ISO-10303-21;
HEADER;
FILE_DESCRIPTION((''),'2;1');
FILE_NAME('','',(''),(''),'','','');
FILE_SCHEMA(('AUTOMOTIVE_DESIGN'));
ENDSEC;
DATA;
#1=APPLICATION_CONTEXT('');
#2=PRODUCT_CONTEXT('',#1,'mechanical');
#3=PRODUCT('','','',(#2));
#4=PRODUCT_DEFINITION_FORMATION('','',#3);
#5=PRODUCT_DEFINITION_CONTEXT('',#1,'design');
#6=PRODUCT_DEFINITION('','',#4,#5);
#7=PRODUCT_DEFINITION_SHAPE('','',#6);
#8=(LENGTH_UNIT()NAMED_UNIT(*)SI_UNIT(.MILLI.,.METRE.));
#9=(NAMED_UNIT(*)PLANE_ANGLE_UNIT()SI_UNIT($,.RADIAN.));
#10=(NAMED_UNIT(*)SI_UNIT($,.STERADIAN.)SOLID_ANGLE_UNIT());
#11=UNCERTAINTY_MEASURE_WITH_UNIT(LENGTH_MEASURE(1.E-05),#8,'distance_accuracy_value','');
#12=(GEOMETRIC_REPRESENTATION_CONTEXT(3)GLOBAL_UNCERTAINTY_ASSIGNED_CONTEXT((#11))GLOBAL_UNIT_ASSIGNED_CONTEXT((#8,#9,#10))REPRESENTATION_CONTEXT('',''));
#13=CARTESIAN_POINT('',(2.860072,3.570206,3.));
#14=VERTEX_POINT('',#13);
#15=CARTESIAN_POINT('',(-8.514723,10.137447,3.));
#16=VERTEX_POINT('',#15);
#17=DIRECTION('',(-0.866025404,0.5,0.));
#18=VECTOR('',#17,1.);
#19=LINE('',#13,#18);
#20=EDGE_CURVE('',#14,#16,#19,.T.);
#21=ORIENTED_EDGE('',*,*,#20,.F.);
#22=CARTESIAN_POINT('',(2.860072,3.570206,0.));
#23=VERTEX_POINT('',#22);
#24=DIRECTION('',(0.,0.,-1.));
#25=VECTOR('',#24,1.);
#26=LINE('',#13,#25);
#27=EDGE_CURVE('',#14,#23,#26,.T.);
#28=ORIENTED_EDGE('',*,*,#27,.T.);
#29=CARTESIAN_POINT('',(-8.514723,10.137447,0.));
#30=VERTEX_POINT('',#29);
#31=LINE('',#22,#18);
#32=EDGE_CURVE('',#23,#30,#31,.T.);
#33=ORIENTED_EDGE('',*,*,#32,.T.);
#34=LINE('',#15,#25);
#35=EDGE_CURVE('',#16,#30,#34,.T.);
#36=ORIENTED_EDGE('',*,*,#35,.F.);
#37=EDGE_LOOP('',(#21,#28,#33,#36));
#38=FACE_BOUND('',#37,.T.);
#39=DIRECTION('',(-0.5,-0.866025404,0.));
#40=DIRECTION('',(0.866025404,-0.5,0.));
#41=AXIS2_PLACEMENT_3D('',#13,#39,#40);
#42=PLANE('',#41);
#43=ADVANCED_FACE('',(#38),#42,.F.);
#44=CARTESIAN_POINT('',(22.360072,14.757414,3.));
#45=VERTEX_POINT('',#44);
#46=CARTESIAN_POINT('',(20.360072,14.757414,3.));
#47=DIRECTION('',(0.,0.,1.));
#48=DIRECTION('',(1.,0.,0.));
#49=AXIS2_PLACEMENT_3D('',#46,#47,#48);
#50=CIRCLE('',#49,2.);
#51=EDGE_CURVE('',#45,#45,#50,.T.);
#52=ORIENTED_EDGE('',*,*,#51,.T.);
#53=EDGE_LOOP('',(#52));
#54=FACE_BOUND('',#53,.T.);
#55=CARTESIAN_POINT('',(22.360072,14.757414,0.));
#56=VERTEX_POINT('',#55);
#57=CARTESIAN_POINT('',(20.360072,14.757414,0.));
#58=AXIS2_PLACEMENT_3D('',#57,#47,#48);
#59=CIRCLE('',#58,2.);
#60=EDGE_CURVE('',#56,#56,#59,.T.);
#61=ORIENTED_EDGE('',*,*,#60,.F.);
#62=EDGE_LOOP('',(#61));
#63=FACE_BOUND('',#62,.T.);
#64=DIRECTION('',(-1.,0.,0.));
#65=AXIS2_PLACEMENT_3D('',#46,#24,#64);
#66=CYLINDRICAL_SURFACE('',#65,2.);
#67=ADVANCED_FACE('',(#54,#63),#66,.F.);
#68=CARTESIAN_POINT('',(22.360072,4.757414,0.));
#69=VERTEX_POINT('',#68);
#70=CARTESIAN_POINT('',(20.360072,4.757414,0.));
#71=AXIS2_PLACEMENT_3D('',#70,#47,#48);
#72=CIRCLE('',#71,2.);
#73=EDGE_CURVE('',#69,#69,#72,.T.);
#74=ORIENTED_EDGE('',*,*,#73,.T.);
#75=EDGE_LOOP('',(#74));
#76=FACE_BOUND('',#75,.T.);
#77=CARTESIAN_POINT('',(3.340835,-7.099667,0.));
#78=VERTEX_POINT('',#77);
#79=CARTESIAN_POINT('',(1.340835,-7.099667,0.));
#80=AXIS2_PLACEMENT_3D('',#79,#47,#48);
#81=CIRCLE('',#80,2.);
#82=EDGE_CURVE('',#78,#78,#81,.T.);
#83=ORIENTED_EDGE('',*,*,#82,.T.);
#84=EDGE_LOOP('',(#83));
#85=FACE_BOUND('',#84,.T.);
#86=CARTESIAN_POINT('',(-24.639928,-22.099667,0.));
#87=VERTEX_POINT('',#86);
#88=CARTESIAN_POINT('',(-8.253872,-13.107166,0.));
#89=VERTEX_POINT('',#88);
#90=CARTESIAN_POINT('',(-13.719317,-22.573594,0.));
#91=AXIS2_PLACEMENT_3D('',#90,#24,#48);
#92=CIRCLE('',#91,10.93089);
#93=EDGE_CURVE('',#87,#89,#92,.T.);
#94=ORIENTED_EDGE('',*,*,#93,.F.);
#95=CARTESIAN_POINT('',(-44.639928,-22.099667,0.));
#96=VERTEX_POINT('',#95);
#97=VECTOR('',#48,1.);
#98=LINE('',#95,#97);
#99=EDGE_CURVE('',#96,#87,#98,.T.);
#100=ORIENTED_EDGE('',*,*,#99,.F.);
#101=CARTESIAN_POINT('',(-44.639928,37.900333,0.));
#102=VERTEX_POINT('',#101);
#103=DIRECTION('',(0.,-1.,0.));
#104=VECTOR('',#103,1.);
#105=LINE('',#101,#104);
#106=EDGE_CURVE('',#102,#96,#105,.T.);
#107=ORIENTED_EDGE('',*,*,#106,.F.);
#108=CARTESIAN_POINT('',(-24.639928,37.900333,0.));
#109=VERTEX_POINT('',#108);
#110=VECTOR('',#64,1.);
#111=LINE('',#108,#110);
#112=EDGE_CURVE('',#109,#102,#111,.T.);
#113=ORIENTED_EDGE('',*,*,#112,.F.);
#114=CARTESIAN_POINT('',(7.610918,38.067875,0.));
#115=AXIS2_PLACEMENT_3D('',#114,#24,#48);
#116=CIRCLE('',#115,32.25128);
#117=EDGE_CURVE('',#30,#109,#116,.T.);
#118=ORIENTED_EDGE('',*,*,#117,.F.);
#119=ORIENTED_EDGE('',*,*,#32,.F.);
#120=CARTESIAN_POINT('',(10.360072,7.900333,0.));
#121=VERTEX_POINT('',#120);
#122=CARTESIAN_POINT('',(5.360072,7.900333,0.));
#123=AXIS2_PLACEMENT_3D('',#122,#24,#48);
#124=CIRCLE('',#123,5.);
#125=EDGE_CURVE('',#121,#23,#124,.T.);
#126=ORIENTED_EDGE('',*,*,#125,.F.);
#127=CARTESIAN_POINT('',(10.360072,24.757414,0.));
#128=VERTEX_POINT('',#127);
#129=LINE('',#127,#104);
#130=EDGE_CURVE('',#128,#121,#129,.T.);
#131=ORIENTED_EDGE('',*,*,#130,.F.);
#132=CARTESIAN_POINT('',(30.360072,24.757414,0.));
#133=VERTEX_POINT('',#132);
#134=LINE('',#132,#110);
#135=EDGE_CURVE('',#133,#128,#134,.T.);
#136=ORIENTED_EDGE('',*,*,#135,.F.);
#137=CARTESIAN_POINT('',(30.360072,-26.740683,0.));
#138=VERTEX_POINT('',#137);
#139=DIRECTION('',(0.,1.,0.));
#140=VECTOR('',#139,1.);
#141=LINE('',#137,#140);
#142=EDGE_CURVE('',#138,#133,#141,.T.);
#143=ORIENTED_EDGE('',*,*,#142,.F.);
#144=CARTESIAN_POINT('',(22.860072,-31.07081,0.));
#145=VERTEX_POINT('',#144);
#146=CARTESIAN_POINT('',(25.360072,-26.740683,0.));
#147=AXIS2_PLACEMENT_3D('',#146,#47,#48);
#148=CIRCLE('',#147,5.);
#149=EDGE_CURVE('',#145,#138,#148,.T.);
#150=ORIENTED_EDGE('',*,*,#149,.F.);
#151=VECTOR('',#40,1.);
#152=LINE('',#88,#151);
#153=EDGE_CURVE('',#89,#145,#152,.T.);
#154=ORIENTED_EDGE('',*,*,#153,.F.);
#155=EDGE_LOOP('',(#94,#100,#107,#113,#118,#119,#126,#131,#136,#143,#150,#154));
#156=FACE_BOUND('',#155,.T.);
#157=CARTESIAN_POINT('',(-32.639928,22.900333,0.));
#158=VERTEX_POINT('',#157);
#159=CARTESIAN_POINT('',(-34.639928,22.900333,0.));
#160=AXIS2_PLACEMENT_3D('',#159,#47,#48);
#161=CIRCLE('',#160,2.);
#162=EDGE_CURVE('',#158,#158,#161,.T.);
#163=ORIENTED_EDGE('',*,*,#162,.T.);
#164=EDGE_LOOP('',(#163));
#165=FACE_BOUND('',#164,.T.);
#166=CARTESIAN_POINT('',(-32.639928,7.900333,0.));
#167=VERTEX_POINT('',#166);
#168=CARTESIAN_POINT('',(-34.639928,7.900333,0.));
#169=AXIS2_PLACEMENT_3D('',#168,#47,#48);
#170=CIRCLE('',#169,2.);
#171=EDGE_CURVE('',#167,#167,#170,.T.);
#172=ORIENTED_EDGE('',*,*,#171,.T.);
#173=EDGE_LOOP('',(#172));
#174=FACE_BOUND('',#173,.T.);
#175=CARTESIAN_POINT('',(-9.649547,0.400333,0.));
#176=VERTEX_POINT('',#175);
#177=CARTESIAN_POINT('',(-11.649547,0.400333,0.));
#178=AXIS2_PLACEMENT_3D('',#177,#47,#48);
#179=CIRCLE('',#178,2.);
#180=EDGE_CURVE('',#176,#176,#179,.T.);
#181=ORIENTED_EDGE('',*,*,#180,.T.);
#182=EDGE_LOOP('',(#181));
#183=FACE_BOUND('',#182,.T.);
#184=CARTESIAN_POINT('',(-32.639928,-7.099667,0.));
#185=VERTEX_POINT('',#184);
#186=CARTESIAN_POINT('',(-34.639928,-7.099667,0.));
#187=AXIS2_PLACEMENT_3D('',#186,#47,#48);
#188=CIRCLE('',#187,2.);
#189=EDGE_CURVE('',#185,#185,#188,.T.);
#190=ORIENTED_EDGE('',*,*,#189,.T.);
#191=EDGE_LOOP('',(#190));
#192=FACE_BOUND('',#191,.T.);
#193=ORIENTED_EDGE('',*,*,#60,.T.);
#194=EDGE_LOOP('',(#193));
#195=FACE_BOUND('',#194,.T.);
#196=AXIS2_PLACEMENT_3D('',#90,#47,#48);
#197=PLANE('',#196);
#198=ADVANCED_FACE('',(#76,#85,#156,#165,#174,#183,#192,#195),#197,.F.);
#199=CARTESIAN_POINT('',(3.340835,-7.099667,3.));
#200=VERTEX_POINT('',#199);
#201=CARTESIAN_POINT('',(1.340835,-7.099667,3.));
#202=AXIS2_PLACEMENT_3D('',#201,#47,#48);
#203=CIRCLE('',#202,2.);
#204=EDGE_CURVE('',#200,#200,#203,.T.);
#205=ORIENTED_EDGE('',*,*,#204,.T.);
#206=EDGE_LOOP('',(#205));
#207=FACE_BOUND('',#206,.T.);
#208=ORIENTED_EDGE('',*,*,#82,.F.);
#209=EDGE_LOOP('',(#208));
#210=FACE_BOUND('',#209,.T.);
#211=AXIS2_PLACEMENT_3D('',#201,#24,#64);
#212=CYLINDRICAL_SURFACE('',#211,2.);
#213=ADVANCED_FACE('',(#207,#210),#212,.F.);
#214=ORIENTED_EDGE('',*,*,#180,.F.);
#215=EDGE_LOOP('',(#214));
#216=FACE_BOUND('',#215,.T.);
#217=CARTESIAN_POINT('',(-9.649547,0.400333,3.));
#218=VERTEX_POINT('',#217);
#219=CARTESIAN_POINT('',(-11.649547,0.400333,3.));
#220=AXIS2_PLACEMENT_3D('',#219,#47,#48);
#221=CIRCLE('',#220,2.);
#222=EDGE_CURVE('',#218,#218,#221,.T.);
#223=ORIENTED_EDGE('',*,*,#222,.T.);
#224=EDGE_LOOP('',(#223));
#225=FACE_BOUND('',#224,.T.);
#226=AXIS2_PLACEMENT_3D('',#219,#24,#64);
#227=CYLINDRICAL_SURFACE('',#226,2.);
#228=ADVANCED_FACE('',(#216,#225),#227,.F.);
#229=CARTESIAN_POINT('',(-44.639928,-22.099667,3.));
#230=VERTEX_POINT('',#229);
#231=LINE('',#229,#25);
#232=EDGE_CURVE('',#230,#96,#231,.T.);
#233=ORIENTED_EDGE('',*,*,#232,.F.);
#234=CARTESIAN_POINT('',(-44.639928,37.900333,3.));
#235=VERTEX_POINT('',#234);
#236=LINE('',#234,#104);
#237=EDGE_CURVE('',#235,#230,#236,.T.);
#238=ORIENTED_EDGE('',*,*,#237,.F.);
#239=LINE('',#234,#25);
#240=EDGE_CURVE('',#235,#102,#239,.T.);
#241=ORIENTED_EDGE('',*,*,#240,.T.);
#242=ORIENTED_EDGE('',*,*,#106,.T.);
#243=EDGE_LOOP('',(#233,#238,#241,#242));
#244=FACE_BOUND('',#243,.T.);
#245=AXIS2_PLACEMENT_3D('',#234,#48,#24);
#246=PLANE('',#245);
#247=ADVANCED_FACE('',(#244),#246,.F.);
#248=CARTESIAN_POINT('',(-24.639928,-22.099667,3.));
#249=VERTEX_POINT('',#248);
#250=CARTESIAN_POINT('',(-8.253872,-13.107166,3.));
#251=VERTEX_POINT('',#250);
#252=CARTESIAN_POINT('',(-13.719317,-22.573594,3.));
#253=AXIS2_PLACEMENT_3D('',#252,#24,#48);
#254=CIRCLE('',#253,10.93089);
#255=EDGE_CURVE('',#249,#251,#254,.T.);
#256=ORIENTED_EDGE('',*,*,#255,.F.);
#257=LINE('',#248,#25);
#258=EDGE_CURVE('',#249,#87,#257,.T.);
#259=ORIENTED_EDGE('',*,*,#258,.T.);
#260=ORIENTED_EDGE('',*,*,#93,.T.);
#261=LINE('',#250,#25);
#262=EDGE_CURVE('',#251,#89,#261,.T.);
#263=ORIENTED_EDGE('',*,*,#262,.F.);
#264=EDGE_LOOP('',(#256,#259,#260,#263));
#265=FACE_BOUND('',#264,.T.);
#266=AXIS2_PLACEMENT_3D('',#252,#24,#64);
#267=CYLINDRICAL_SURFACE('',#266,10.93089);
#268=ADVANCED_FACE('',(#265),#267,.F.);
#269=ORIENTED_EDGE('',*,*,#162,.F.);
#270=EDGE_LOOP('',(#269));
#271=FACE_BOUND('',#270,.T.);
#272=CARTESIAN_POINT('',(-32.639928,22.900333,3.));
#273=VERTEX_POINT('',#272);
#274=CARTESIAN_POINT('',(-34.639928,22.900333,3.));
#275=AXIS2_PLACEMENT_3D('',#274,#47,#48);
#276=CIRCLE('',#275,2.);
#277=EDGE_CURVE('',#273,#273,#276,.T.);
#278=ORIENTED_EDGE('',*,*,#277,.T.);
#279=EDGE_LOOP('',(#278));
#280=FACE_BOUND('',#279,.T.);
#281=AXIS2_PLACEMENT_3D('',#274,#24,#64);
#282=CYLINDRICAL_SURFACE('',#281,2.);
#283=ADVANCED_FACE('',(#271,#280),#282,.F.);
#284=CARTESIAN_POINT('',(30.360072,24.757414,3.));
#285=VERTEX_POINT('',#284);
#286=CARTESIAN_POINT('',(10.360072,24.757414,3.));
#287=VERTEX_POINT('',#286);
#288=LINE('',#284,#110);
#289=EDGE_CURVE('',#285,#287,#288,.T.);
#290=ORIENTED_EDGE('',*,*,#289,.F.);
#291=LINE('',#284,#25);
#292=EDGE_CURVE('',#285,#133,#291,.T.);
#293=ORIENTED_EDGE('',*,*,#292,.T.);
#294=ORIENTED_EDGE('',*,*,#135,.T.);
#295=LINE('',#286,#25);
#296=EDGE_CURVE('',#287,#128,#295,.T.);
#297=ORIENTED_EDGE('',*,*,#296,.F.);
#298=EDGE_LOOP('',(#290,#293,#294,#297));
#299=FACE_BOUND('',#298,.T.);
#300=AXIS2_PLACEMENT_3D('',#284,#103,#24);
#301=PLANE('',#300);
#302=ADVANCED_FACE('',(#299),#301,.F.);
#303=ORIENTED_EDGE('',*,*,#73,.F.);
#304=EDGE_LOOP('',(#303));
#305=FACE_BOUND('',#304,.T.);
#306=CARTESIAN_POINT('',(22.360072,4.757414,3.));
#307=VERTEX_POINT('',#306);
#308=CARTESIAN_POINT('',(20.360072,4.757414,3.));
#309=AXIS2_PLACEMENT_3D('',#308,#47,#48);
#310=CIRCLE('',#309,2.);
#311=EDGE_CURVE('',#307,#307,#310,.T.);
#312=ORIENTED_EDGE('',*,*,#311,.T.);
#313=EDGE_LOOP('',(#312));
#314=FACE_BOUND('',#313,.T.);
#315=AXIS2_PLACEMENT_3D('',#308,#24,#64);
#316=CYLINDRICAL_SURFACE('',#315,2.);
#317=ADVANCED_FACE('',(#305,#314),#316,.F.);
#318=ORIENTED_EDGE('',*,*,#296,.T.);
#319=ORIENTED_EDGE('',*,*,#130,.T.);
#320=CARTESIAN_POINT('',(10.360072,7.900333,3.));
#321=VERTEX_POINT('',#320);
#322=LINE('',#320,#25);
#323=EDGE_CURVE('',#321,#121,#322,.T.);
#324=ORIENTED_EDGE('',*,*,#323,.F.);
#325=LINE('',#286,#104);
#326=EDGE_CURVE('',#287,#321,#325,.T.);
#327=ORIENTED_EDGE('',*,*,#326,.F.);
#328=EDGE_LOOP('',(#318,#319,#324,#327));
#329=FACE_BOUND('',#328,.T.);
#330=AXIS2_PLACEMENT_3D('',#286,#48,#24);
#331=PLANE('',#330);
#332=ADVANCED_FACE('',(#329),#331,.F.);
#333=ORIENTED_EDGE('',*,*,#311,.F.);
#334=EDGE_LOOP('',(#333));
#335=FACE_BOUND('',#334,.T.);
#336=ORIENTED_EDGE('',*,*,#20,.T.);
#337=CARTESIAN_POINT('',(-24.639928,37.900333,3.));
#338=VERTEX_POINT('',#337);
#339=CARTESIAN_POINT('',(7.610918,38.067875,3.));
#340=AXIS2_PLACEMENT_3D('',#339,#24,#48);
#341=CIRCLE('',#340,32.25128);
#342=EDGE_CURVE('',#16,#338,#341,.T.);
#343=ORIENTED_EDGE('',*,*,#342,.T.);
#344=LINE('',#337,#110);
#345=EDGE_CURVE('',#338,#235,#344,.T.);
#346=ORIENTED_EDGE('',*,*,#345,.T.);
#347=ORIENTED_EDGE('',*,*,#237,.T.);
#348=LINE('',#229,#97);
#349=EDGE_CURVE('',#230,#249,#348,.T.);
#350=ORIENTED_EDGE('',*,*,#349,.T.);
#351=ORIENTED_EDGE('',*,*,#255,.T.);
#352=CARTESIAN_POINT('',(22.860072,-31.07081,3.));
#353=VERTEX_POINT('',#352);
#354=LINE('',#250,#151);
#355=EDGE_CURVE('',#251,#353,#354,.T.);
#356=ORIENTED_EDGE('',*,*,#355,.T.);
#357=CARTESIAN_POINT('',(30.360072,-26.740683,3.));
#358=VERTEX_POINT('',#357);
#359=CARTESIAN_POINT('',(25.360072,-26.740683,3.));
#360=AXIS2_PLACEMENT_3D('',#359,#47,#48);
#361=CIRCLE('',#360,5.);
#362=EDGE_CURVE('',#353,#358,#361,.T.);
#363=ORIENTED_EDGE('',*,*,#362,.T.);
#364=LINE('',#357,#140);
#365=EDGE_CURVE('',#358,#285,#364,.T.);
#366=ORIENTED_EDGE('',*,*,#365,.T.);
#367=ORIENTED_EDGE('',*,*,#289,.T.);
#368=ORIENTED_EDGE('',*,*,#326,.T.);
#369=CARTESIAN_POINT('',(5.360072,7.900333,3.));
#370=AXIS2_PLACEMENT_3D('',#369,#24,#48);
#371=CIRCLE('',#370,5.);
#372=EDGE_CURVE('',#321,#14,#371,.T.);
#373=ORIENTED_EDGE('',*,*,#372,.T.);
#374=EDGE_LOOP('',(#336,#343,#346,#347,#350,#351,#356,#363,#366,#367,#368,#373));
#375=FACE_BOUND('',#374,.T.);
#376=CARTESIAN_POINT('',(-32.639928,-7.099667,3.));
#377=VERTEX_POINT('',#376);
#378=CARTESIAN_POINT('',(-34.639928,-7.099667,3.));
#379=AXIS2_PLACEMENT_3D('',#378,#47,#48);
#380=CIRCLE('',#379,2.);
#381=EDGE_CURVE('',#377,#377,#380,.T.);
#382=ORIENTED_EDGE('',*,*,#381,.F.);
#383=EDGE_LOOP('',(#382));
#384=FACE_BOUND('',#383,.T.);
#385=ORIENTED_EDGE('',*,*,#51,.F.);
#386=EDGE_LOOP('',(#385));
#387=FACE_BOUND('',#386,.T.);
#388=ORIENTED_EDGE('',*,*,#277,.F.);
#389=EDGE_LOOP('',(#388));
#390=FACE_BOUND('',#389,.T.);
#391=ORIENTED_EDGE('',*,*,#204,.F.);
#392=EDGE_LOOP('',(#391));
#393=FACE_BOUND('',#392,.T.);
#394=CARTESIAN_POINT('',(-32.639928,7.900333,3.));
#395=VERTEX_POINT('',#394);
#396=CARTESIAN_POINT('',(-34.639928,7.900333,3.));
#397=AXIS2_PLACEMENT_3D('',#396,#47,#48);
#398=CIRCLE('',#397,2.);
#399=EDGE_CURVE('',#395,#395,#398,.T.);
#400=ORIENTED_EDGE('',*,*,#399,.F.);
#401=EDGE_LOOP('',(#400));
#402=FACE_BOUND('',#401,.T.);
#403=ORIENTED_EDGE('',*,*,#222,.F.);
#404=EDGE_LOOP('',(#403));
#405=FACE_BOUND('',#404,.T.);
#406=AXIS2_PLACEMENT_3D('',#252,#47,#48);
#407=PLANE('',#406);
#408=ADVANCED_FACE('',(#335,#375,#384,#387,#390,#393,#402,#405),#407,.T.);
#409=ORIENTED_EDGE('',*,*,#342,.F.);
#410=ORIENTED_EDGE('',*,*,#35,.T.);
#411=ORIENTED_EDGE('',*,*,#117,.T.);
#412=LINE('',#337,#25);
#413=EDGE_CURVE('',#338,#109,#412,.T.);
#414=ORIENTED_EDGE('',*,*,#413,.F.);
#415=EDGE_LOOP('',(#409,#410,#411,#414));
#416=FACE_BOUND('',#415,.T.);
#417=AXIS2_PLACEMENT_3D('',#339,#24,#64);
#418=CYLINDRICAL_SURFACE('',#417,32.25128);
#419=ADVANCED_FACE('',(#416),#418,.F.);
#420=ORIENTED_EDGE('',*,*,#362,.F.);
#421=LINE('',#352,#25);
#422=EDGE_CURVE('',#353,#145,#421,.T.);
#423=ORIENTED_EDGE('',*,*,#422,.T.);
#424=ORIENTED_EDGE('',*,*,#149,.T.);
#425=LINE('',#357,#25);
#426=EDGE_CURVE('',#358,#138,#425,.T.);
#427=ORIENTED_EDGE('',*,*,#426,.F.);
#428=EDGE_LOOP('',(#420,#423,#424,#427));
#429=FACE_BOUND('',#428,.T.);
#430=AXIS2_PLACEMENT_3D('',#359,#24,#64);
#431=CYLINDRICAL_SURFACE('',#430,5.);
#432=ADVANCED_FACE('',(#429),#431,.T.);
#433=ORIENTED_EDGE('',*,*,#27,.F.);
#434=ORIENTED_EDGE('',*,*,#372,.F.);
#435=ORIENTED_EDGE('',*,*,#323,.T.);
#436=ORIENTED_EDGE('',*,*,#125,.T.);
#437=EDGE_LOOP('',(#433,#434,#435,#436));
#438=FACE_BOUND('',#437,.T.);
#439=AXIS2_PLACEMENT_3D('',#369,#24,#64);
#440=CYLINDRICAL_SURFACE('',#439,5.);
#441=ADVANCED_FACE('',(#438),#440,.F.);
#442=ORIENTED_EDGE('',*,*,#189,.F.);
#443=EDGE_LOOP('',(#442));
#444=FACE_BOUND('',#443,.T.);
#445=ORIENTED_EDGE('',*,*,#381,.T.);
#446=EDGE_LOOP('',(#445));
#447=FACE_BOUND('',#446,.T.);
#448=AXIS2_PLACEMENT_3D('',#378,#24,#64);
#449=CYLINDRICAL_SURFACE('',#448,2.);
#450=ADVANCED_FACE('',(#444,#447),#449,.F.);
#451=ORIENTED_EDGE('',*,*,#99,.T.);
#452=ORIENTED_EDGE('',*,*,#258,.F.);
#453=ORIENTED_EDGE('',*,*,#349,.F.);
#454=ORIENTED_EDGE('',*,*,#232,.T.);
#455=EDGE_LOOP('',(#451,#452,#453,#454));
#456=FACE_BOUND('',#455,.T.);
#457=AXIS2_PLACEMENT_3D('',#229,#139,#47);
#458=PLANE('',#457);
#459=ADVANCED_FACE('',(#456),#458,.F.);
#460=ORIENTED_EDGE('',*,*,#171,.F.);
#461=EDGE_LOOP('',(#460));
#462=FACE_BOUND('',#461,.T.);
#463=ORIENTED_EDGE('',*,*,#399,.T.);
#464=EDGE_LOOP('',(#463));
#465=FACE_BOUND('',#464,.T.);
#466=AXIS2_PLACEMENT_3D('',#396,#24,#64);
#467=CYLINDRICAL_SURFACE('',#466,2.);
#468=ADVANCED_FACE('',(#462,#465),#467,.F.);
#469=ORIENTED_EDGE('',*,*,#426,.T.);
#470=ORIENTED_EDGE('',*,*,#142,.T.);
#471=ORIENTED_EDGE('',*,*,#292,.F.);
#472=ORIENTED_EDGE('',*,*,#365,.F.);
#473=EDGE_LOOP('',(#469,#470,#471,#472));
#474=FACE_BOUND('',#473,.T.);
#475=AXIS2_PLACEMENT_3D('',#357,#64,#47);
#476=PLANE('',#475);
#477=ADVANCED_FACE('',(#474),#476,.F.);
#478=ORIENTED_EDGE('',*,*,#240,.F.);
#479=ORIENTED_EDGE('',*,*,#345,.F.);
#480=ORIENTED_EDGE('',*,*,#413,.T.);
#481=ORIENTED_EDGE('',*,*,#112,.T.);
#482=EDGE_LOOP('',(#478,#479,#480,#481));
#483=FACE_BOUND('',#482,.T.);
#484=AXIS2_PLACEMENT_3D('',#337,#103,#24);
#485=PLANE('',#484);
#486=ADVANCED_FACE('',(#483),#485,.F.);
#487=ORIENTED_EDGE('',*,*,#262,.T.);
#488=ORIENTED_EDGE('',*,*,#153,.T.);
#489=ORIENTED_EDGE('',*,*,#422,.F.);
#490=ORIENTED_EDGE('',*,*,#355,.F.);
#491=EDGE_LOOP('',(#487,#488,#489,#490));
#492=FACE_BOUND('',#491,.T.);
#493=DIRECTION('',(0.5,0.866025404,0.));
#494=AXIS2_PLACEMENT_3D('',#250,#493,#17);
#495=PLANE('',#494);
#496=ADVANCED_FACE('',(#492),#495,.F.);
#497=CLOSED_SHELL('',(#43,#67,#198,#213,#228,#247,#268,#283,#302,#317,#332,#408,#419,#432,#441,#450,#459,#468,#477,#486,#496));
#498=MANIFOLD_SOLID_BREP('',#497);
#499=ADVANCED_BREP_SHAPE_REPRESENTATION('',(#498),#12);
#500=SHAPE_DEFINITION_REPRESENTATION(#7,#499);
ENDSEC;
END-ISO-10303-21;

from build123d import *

# Parameters (mm, degrees)
SKETCH_1_R      = 2
EXTRUDE_1_DEPTH = 3


with BuildPart() as part:
    # 草图1 → 凸台-拉伸1 (new body)
    with BuildSketch(Plane.XY):
        with BuildLine():
            Line((-8.253871793, -13.107166096), (22.860072418, -31.070810161))
            ThreePointArc((22.860072418, -31.070810161), (27.860072418, -31.070810161), (30.360072418, -26.740683142))
            Line((30.360072418, -26.740683142), (30.360072418, 24.757413889))
            Line((30.360072418, 24.757413889), (10.360072418, 24.757413889))
            Line((10.360072418, 24.757413889), (10.360072418, 7.900333009))
            ThreePointArc((10.360072418, 7.900333009), (7.860072418, 3.57020599), (2.860072418, 3.57020599))
            Line((2.860072418, 3.57020599), (-8.514722631, 10.137446974))
            ThreePointArc((-8.514722631, 10.137446974), (-20.277530658, 21.869741204), (-24.639927582, 37.900333009))
            Line((-24.639927582, 37.900333009), (-44.639927582, 37.900333009))
            Line((-44.639927582, 37.900333009), (-44.639927582, -22.099666991))
            Line((-44.639927582, -22.099666991), (-24.639927582, -22.099666991))
            ThreePointArc((-24.639927582, -22.099666991), (-18.978211718, -12.990882096), (-8.253871793, -13.107166096))
        make_face()
        with Locations((-34.639927582, 22.900333009)):
            Circle(SKETCH_1_R, mode=Mode.SUBTRACT)
        with Locations((-34.639927582, 7.900333009)):
            Circle(SKETCH_1_R, mode=Mode.SUBTRACT)
        with Locations((-34.639927582, -7.099666991)):
            Circle(SKETCH_1_R, mode=Mode.SUBTRACT)
        with Locations((-11.649546525, 0.400333009)):
            Circle(SKETCH_1_R, mode=Mode.SUBTRACT)
        with Locations((1.340834531, -7.099666991)):
            Circle(SKETCH_1_R, mode=Mode.SUBTRACT)
        with Locations((20.360072418, 4.757413889)):
            Circle(SKETCH_1_R, mode=Mode.SUBTRACT)
        with Locations((20.360072418, 14.757413889)):
            Circle(SKETCH_1_R, mode=Mode.SUBTRACT)
    extrude(amount=EXTRUDE_1_DEPTH)


solid = part.part
